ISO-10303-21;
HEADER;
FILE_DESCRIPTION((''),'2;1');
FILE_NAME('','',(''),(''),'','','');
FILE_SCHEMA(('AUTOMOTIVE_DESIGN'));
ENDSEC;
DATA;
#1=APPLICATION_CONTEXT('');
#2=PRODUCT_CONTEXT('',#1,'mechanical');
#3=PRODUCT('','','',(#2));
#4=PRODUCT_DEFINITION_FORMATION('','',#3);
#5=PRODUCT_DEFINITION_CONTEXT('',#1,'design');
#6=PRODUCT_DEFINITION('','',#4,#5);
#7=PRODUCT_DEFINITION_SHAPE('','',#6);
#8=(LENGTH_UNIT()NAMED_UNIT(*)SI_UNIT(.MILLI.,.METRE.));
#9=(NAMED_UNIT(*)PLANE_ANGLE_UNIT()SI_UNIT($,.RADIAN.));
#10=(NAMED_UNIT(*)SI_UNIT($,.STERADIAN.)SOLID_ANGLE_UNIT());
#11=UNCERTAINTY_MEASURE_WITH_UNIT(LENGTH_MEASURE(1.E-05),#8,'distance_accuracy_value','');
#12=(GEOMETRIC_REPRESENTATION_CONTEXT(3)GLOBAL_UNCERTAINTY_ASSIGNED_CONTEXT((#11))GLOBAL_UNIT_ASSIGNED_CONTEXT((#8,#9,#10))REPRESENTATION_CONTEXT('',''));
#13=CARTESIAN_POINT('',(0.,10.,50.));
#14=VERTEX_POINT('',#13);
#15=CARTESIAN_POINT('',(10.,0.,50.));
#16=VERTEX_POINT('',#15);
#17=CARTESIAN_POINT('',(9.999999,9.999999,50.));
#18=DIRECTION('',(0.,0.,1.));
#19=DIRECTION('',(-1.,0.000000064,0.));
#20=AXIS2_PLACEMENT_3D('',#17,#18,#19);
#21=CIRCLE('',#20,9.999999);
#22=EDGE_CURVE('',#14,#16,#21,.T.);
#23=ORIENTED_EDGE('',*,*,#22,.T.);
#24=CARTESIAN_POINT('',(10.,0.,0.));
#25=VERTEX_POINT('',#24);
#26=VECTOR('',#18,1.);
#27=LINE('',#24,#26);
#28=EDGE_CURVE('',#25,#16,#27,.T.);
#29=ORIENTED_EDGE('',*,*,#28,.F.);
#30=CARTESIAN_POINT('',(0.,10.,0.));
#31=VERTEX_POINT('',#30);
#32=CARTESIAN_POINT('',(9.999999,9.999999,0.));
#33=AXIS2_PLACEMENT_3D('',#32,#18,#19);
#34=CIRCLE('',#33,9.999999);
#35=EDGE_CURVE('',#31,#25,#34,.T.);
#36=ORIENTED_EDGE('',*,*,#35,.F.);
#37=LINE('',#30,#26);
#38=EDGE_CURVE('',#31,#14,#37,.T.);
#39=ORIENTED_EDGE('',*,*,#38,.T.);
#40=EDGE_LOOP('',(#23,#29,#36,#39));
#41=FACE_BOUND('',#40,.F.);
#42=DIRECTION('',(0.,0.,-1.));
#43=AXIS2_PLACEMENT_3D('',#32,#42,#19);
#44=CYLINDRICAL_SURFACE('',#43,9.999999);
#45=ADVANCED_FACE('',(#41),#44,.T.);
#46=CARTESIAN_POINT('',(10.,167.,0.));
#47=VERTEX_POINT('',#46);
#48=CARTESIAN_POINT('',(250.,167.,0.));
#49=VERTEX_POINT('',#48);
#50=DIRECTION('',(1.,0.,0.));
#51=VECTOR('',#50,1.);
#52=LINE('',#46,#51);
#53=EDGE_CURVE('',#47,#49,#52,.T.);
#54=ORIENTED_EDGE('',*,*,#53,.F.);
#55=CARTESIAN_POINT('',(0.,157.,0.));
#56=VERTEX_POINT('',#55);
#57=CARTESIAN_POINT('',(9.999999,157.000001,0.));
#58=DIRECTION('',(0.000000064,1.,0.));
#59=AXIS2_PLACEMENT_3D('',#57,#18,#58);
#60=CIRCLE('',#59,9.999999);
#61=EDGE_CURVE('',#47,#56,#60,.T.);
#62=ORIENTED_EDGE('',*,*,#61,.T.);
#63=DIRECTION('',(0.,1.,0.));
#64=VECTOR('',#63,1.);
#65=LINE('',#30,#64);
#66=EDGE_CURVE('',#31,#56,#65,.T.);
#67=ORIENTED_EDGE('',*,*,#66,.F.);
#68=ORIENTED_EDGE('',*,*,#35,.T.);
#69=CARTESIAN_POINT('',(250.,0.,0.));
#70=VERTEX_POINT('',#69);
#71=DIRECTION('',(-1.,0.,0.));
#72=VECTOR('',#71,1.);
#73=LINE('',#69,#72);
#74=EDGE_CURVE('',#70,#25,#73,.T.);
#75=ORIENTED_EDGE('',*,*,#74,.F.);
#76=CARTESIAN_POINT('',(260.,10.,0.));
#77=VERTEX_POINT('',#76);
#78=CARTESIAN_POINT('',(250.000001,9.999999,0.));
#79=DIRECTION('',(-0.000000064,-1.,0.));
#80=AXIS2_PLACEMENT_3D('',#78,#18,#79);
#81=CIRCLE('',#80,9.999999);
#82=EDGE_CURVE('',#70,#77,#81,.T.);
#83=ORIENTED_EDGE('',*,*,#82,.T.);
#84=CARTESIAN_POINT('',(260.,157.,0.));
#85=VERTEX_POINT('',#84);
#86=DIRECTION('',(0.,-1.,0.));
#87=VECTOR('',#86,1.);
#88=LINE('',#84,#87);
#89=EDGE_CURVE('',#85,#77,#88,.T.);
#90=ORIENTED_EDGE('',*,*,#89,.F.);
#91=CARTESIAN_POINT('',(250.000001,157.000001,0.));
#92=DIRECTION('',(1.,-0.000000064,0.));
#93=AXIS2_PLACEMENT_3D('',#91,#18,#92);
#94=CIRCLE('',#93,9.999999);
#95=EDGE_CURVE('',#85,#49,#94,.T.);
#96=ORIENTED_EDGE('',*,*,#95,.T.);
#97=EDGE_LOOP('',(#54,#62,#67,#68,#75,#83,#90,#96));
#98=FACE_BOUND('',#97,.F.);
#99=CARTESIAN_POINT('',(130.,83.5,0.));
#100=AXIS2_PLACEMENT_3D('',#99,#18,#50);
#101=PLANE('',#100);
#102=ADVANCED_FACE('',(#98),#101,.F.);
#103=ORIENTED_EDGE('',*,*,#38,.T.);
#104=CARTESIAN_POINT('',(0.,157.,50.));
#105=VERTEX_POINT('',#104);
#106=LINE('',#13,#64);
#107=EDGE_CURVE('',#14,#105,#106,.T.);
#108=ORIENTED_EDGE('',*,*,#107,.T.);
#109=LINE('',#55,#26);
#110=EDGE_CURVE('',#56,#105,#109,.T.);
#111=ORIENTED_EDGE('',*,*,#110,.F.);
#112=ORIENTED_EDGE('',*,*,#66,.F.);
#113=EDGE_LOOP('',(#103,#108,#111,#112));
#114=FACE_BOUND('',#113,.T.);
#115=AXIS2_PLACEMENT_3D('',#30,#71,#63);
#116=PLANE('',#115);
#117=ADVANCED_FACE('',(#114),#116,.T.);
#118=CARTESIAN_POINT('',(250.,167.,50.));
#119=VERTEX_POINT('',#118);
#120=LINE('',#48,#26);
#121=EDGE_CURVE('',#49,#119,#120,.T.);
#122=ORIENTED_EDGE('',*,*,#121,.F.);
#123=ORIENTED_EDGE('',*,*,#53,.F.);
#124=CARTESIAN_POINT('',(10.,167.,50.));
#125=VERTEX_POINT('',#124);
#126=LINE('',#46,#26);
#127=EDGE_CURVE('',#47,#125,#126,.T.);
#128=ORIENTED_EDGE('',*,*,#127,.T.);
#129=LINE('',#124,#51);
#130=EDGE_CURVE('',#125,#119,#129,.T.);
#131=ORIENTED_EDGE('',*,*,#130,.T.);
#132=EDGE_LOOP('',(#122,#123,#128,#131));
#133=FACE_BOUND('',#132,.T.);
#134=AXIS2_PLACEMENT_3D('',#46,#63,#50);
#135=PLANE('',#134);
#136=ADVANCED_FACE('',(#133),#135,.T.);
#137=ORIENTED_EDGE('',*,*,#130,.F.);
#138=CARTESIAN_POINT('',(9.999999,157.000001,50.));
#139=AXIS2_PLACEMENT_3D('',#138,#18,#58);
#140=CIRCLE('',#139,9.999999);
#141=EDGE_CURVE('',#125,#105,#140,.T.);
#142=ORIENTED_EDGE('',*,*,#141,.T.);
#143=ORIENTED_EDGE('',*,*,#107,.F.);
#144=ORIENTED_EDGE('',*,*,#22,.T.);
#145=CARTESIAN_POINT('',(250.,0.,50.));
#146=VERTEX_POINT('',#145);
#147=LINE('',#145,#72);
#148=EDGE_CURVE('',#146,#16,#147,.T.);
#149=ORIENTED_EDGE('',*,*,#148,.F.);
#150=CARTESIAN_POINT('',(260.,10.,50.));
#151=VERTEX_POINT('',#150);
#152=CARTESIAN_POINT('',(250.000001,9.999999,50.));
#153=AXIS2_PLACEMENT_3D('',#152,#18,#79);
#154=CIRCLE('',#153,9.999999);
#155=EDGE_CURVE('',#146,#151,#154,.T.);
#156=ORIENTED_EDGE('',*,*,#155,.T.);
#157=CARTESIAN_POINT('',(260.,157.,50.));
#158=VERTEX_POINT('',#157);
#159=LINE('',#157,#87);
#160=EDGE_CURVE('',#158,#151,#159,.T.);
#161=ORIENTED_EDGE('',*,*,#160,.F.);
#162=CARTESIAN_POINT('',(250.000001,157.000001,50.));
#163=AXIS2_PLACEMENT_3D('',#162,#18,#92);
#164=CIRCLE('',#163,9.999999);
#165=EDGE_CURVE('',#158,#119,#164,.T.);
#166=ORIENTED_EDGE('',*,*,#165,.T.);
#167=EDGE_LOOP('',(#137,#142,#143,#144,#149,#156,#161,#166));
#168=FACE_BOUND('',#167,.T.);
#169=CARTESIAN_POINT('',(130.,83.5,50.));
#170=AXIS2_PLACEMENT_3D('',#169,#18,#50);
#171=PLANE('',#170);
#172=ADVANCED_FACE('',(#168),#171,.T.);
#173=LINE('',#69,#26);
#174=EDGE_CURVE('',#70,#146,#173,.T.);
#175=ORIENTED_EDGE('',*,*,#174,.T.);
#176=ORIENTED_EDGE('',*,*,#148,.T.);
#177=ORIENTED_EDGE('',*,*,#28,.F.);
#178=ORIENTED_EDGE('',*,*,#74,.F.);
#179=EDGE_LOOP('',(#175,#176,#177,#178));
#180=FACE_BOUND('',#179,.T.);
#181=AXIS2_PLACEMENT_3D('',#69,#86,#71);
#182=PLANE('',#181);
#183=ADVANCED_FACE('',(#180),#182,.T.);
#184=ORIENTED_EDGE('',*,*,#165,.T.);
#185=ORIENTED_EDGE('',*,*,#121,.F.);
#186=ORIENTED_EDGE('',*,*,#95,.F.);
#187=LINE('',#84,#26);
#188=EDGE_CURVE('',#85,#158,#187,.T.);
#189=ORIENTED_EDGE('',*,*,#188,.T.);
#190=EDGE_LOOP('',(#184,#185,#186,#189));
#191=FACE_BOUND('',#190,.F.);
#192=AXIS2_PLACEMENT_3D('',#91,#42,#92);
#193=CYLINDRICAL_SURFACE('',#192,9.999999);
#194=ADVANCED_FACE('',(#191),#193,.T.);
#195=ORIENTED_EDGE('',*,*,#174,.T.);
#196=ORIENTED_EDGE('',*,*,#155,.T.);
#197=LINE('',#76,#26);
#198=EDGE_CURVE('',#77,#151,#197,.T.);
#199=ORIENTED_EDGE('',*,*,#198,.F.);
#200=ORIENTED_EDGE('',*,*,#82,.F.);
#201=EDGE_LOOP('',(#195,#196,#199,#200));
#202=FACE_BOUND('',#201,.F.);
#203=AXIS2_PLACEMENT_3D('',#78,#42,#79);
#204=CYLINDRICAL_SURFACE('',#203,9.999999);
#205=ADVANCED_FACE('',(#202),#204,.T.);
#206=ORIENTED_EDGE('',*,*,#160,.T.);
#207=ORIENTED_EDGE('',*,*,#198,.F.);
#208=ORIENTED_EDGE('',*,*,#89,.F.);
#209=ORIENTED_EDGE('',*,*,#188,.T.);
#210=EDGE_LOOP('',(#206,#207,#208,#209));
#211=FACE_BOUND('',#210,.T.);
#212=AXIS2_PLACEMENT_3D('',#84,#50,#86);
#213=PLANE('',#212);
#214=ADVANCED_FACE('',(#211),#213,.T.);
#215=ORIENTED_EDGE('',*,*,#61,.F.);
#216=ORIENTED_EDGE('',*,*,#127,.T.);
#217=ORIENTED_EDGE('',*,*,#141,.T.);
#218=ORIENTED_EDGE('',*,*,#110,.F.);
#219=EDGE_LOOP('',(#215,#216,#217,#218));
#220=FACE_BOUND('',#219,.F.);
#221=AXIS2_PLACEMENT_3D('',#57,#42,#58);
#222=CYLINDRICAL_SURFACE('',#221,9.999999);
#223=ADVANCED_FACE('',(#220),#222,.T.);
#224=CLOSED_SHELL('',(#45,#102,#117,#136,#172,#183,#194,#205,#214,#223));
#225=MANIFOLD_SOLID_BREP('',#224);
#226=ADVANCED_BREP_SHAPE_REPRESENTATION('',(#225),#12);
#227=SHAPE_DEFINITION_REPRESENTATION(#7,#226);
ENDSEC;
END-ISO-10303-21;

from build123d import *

# Parameters (mm, degrees)
PAD_DEPTH = 50


with BuildPart() as part:
    # Sketch → Pad (new body)
    with BuildSketch(Plane.XY):
        with BuildLine():
            ThreePointArc((10, 167), (2.928932, 164.071068), (0, 157))
            Line((0, 10), (0, 157))
            ThreePointArc((0, 10), (2.928932, 2.928932), (10, 0))
            Line((250, 0), (10, 0))
            ThreePointArc((250, 0), (257.071068, 2.928932), (260, 10))
            Line((260, 157), (260, 10))
            ThreePointArc((260, 157), (257.071068, 164.071068), (250, 167))
            Line((10, 167), (250, 167))
        make_face()
    extrude(amount=PAD_DEPTH)


solid = part.part
